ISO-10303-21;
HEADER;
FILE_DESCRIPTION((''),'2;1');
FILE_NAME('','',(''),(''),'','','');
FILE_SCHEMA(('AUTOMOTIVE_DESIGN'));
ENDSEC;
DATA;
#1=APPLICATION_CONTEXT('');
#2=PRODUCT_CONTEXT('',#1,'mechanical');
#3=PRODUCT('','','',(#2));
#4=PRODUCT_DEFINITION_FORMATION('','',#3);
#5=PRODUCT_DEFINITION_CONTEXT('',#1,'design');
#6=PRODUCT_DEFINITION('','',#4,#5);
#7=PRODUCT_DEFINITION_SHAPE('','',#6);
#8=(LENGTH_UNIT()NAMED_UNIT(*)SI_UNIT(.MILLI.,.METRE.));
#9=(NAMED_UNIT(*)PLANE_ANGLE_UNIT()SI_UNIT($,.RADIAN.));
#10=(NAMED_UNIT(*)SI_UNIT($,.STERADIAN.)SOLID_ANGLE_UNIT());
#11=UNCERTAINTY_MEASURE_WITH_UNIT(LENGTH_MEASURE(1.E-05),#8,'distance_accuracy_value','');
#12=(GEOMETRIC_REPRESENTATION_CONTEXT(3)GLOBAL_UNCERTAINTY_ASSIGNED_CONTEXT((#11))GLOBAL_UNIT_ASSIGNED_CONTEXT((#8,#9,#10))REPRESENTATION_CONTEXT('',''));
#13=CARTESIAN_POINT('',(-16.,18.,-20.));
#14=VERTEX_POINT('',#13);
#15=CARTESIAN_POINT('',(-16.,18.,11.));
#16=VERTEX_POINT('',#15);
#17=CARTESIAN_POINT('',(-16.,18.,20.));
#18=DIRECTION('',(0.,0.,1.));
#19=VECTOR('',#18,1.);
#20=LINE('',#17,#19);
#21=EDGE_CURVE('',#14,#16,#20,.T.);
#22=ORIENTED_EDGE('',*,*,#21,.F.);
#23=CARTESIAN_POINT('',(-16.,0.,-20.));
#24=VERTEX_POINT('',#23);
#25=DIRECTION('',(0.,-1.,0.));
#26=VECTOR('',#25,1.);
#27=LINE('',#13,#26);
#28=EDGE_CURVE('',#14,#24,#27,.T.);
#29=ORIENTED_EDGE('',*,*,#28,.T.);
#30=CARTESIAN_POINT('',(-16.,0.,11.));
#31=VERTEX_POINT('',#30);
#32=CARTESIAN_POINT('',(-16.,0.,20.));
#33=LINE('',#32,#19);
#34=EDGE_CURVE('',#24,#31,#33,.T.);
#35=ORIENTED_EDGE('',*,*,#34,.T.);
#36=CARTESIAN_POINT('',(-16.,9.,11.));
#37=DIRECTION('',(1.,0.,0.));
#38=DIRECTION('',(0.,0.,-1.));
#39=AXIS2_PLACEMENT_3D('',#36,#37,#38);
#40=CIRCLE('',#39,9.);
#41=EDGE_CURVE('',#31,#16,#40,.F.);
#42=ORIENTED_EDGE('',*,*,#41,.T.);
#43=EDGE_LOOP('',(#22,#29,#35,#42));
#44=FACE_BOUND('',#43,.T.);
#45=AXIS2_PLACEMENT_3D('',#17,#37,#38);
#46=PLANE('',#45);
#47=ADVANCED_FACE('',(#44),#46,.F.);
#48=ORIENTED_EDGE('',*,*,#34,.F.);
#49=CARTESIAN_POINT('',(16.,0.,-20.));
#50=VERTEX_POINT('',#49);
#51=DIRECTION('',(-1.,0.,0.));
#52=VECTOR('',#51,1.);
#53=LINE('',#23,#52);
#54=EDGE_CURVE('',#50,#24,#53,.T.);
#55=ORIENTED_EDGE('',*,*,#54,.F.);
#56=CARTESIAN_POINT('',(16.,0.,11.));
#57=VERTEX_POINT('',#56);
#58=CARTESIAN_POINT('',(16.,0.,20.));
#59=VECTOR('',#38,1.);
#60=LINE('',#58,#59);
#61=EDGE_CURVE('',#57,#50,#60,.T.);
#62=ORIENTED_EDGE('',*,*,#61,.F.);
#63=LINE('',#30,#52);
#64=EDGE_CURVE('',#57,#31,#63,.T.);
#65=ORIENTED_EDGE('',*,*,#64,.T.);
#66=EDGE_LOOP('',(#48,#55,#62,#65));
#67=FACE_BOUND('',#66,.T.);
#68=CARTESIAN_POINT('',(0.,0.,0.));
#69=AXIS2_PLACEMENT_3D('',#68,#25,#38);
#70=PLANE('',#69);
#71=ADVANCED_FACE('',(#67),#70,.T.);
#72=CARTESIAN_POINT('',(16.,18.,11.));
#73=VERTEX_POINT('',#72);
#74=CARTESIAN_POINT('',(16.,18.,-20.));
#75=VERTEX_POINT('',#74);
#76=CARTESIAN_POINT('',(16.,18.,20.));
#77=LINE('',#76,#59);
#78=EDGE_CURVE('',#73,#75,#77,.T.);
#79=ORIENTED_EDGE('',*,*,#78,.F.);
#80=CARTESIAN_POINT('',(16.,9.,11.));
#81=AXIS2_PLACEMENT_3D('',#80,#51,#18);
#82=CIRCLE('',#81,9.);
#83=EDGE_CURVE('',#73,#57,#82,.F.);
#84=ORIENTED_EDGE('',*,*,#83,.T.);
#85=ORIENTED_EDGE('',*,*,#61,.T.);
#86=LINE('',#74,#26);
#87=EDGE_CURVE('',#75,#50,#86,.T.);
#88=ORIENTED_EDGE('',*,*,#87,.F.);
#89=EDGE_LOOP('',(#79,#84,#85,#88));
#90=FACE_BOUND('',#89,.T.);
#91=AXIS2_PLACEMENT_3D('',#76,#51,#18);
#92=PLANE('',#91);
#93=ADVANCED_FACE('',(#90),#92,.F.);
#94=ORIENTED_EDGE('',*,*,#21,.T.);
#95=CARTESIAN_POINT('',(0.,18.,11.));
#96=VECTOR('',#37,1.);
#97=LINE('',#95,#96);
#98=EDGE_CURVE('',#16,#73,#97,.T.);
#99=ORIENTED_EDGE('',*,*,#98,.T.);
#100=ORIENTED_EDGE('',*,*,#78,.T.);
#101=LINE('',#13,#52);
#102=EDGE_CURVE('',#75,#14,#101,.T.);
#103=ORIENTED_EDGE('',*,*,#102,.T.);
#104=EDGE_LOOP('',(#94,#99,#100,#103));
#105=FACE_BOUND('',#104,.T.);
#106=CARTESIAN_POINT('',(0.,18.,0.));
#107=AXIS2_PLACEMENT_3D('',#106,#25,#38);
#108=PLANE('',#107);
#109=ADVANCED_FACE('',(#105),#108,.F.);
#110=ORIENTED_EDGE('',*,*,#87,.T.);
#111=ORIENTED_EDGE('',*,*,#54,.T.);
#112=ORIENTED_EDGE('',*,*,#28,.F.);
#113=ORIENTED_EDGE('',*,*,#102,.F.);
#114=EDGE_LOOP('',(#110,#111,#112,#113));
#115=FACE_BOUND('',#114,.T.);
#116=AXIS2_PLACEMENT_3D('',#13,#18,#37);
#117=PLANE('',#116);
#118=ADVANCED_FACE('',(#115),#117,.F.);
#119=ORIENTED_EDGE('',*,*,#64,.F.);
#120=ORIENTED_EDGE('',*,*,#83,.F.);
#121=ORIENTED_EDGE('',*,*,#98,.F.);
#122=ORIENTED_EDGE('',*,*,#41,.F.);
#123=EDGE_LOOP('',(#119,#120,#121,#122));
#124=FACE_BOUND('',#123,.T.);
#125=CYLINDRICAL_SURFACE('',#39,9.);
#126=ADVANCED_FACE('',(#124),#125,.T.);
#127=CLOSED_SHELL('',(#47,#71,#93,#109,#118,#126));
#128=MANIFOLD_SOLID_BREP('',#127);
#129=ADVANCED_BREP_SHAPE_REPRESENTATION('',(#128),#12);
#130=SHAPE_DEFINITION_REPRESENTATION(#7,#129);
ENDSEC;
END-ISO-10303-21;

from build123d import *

# Parameters (mm, degrees)
IZIM1_W                     = 32
IZIM1_H                     = 40
Y_KSEKLIK_EKSTR_ZYON1_DEPTH = 18
RADYUS1_RADIUS              = 9
RADYUS1_LENGTH              = 32


with BuildPart() as part:
    # Çizim1 → Yükseklik-Ekstrüzyon1 (new body)
    with BuildSketch(Plane(origin=(0, 0, 0), x_dir=(1, 0, 0), z_dir=(0, 1, 0))):
        Rectangle(IZIM1_W, IZIM1_H)
    extrude(amount=Y_KSEKLIK_EKSTR_ZYON1_DEPTH)

    # Radyus1: full round fillet: the end face becomes a half cylinder, R = half its width
    radyus1_face = Plane((0, 9, 20), x_dir=(-1, 0, 0), z_dir=(0, 0, 1))  # on the end face: x along it, z out of the body
    radyus1_slab = radyus1_face.offset(-RADYUS1_RADIUS / 2) * Box(RADYUS1_LENGTH, 2 * RADYUS1_RADIUS, RADYUS1_RADIUS, mode=Mode.PRIVATE)  # the body's end, R deep
    radyus1_round = Plane((0, 9, 11), x_dir=(0, 0, 1), z_dir=(-1, 0, 0)) * Cylinder(RADYUS1_RADIUS, RADYUS1_LENGTH, mode=Mode.PRIVATE)  # its axis R under the face
    add(radyus1_slab - radyus1_round, mode=Mode.SUBTRACT)


solid = part.part
